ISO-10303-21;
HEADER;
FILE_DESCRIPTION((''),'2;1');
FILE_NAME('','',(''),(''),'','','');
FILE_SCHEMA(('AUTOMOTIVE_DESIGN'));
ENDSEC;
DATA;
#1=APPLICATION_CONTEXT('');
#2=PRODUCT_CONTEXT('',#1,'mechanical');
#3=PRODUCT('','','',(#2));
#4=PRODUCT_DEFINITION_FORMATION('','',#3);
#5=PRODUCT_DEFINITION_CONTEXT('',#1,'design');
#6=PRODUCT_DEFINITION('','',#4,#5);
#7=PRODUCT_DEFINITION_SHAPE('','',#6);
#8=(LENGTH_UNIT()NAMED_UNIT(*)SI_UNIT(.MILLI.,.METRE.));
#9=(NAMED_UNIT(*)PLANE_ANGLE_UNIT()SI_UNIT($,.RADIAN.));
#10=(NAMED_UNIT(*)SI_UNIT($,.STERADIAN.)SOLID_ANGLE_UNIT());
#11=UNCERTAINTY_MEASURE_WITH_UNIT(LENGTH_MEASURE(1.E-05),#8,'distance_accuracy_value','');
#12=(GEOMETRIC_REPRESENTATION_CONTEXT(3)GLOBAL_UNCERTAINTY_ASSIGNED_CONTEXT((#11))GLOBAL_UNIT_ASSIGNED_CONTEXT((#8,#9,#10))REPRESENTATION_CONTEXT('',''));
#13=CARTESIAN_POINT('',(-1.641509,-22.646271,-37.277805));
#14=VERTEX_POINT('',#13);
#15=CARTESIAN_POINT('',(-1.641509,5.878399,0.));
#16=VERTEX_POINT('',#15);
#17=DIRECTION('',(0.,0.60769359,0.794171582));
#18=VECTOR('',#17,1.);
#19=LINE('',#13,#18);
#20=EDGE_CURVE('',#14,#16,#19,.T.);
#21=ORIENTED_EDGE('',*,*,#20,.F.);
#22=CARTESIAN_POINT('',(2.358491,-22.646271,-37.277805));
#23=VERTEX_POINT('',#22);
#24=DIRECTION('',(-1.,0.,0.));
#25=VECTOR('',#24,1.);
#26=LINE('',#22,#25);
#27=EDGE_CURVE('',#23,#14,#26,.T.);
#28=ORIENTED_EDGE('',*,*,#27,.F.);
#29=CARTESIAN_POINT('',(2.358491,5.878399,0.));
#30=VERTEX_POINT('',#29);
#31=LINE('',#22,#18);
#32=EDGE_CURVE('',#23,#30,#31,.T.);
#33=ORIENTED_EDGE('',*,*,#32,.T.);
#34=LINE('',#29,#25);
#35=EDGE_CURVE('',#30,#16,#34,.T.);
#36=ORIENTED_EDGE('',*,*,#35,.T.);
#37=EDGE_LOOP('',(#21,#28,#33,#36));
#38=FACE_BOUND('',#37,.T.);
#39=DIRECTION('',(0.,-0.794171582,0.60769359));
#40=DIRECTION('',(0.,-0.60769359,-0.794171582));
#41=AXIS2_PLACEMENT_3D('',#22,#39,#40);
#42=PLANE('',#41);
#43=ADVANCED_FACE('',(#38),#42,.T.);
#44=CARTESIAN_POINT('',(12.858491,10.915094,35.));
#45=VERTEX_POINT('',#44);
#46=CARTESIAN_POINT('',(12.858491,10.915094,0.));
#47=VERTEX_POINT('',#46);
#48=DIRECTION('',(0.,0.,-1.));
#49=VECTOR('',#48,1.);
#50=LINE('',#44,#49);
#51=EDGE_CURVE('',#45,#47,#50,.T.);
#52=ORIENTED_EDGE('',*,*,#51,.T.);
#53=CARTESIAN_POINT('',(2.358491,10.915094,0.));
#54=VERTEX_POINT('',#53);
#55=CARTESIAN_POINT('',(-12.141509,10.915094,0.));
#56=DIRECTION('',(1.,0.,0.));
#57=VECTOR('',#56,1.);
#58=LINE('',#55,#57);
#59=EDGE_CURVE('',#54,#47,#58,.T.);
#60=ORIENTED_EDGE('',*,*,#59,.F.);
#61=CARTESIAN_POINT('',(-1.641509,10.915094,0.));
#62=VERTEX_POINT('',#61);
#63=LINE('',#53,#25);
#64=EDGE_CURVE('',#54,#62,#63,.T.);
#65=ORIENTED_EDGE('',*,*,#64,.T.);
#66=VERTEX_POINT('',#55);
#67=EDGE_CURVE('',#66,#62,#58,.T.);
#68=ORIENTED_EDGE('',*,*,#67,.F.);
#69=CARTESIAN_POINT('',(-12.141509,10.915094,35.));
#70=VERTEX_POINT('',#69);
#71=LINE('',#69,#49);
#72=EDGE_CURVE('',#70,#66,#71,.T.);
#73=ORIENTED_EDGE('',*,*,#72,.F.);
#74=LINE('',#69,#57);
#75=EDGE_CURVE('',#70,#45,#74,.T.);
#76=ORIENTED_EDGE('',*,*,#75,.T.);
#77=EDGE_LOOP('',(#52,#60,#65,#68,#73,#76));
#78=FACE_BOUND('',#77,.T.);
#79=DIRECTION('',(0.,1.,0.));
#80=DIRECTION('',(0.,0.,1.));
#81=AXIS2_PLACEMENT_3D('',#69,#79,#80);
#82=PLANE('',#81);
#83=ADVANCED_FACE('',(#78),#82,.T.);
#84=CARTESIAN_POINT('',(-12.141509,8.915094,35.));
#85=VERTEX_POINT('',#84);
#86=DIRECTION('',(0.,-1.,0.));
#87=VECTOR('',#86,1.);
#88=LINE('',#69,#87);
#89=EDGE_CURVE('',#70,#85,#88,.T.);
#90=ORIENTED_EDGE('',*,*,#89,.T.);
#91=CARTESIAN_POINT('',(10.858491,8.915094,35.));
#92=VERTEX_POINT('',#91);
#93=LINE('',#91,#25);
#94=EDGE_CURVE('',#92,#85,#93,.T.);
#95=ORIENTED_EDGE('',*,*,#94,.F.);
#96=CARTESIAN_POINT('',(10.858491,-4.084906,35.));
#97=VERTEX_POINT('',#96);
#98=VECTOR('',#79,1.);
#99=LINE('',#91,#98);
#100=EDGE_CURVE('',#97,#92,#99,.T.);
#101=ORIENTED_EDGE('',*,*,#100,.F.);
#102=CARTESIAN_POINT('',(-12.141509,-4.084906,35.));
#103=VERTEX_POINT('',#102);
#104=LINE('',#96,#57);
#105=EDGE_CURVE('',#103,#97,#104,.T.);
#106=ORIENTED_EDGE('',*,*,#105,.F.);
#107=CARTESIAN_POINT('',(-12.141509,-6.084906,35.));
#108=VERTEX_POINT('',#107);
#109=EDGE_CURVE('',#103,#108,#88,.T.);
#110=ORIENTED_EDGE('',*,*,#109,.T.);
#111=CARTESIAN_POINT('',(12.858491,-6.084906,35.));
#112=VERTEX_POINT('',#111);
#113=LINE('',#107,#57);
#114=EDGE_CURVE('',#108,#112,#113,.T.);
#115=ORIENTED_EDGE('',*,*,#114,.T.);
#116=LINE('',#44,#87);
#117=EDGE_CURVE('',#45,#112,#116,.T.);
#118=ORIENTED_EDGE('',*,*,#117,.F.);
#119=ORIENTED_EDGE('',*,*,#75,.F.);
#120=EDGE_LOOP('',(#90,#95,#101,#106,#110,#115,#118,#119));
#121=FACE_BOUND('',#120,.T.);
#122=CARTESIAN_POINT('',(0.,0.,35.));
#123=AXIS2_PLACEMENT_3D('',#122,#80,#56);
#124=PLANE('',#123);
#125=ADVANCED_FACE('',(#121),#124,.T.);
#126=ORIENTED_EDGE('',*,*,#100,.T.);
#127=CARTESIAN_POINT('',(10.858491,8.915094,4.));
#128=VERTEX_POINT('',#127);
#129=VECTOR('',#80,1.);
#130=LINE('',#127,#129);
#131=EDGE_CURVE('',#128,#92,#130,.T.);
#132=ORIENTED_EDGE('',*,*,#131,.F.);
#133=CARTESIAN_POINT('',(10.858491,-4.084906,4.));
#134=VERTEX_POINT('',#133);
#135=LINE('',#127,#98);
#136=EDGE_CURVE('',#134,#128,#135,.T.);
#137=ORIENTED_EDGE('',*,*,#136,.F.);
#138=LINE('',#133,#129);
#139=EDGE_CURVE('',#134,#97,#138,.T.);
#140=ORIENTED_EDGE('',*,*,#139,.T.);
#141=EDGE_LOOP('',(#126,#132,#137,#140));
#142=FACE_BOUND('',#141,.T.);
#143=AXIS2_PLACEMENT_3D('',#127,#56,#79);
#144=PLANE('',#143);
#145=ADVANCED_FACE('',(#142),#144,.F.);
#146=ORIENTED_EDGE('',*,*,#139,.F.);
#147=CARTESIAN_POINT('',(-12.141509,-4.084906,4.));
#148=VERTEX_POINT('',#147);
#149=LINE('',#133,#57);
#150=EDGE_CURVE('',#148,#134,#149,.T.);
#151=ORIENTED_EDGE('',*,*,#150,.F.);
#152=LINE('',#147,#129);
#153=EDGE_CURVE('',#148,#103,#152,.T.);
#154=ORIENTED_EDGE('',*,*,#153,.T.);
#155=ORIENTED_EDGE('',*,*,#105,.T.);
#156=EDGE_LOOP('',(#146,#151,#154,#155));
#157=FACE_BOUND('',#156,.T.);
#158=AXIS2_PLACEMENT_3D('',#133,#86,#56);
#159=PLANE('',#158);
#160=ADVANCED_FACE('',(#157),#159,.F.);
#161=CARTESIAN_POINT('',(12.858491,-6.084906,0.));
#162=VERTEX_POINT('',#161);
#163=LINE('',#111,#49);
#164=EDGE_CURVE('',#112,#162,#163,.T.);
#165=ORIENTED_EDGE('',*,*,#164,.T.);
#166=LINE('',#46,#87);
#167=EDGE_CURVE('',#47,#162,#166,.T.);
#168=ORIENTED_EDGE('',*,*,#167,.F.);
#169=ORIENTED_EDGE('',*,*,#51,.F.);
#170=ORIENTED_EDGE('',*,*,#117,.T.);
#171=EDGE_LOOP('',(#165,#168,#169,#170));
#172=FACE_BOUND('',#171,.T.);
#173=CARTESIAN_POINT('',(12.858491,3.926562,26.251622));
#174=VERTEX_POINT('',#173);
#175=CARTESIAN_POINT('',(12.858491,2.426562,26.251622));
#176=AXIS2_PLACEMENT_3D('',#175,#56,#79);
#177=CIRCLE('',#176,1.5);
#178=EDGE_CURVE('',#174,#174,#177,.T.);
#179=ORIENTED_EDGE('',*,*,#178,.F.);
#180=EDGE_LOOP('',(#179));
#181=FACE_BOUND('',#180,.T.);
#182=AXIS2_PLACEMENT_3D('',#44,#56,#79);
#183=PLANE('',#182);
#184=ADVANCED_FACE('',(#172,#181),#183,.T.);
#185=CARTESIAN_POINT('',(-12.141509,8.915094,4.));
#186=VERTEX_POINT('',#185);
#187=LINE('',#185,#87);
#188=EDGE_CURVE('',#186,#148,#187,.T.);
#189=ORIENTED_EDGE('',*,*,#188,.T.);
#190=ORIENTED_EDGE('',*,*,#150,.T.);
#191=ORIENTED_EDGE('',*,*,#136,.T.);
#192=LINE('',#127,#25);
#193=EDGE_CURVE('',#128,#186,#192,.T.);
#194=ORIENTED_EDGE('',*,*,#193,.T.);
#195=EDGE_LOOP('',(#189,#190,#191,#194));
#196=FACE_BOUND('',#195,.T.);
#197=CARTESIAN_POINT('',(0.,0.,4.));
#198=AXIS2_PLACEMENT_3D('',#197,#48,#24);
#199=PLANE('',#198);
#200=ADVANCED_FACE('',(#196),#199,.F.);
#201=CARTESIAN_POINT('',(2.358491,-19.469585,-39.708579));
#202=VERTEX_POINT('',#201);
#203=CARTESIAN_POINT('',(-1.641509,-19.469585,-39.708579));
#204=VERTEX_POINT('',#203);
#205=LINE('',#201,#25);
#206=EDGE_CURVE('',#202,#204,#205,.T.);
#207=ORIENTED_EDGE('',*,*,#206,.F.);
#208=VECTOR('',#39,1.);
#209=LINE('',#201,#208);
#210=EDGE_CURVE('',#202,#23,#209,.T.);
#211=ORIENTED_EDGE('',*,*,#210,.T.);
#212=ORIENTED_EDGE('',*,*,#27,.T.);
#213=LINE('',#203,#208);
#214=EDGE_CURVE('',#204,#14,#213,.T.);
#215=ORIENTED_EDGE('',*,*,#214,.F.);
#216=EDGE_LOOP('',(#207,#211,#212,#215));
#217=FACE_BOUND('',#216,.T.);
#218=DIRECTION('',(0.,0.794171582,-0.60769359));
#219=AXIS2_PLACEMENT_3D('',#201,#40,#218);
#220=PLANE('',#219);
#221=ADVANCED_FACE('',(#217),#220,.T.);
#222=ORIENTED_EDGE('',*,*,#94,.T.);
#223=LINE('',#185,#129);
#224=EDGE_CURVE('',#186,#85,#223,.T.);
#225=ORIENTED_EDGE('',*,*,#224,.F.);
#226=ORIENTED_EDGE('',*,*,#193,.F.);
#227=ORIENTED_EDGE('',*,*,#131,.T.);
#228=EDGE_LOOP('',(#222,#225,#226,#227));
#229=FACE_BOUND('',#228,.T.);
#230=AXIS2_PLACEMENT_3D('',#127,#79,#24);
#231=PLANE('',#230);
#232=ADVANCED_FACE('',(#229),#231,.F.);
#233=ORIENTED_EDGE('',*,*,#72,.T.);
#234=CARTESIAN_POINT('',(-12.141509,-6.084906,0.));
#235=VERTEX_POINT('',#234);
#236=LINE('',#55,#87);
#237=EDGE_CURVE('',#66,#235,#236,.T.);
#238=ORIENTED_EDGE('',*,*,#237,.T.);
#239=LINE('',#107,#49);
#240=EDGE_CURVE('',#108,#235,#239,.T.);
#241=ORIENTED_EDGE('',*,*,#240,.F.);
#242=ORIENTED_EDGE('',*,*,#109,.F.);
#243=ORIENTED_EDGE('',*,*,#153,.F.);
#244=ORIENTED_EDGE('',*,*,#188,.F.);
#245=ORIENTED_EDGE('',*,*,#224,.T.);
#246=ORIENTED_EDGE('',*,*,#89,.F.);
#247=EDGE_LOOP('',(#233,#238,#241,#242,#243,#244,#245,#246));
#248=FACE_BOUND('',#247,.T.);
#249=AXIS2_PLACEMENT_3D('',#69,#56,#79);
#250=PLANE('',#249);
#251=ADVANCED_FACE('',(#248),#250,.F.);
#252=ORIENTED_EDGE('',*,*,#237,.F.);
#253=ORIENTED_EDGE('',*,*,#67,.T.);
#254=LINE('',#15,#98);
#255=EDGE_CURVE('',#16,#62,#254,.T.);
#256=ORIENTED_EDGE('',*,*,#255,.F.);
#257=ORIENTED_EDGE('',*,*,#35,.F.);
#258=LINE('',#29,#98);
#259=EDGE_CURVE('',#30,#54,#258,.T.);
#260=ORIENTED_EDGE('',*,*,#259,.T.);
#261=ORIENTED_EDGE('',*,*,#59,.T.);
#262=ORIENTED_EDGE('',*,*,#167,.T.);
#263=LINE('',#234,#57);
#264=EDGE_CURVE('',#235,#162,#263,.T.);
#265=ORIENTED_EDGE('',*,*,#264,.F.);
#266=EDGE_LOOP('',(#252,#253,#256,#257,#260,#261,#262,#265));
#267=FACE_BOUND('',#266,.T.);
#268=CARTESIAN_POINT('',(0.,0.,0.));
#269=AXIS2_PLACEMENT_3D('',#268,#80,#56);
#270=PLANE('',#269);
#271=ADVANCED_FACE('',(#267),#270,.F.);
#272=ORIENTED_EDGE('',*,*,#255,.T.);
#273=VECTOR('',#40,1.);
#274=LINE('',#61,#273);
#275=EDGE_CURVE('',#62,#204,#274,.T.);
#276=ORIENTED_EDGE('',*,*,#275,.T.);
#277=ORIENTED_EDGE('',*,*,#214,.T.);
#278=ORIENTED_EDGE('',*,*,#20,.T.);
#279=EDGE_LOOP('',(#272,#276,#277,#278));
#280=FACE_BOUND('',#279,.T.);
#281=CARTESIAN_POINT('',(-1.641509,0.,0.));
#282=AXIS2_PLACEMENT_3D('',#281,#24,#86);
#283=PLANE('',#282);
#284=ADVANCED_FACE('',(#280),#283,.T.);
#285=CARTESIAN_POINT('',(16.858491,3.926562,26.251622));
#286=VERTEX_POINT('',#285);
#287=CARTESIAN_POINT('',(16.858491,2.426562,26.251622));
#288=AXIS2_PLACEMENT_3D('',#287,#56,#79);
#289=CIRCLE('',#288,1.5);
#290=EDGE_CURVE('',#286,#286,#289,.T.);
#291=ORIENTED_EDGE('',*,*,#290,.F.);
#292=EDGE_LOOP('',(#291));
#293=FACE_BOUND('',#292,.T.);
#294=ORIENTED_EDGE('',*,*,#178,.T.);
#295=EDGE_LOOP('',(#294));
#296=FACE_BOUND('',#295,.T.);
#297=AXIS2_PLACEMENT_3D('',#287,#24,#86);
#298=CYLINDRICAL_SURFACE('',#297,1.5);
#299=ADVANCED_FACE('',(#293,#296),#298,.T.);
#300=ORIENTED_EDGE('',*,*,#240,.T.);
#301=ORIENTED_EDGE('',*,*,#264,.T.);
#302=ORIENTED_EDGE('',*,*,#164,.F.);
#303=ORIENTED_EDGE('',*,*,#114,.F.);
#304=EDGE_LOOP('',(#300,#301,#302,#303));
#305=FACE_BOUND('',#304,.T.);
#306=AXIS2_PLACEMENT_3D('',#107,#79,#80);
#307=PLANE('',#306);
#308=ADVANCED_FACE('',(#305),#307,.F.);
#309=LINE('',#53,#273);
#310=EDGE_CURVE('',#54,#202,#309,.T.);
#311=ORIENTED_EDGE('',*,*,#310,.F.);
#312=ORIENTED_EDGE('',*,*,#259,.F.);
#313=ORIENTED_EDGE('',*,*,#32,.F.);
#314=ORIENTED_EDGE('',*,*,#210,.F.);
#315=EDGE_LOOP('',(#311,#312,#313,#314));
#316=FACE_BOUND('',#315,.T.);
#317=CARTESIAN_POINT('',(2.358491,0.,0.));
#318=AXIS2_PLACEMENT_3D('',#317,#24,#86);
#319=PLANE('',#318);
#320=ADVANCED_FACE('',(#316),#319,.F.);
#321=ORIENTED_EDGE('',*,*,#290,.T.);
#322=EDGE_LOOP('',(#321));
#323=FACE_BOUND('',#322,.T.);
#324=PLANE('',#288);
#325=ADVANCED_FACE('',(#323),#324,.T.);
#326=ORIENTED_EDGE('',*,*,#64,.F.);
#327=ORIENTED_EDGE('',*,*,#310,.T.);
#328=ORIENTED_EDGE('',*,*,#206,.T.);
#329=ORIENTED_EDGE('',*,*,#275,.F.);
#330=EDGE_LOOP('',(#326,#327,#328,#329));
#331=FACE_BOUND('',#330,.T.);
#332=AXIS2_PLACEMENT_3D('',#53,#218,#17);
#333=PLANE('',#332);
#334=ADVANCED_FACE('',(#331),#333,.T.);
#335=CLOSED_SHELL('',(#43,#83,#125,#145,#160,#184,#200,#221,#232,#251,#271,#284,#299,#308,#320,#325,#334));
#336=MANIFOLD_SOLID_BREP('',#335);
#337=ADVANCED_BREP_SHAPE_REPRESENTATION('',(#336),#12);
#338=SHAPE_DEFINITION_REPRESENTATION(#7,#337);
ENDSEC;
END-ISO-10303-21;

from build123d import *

# Parameters (mm, degrees)
SKETCH2_W           = 25
SKETCH2_H           = 17
BOSS_EXTRUDE1_DEPTH = 35
BOSS_EXTRUDE2_START = -12.5
BOSS_EXTRUDE2_DEPTH = 2
SKETCH4_W           = 26
SKETCH4_H           = 10
CUT_EXTRUDE1_DEPTH  = 10
SKETCH5_W           = 23
SKETCH5_H           = 13
CUT_EXTRUDE2_DEPTH  = 31
SKETCH6_R           = 1.5
BOSS_EXTRUDE4_DEPTH = 4


with BuildPart() as part:
    # Sketch2 → Boss-Extrude1 (new body)
    with BuildSketch(Plane.XY):
        with Locations((0.358490566, 2.41509434)):
            Rectangle(SKETCH2_W, SKETCH2_H)
    extrude(amount=BOSS_EXTRUDE1_DEPTH)

    # Sketch3 → Boss-Extrude2 (add, symmetric)
    with BuildSketch(Plane.ZY.offset(12.141509434).offset(BOSS_EXTRUDE2_START)):
        Polygon((0, 10.91509434), (-39.708579083, -19.469585142), (-37.277804725, -22.646271469), (0, 5.878399383), align=None)
    extrude(amount=BOSS_EXTRUDE2_DEPTH, both=True)

    # Sketch4 → Cut-Extrude1 (cut)
    with BuildSketch(Plane.ZY.offset(12.141509434)):
        with Locations((22, 2.41509434)):
            Rectangle(SKETCH4_W, SKETCH4_H)
    extrude(amount=-CUT_EXTRUDE1_DEPTH, mode=Mode.SUBTRACT)

    # Sketch5 → Cut-Extrude2 (cut)
    with BuildSketch(Plane.XY.offset(35)):
        with Locations((-0.641509434, 2.41509434)):
            Rectangle(SKETCH5_W, SKETCH5_H)
    extrude(amount=-CUT_EXTRUDE2_DEPTH, mode=Mode.SUBTRACT)

    # Sketch6 → Boss-Extrude4 (add)
    with BuildSketch(Plane(origin=(12.858490566, 0, 0), x_dir=(0, 0, -1), z_dir=(1, 0, 0))):
        with Locations(Location((-26.251622056, 2.426562122, 0), (0, 0, 90))):
            Circle(SKETCH6_R)
    extrude(amount=BOSS_EXTRUDE4_DEPTH)


solid = part.part
